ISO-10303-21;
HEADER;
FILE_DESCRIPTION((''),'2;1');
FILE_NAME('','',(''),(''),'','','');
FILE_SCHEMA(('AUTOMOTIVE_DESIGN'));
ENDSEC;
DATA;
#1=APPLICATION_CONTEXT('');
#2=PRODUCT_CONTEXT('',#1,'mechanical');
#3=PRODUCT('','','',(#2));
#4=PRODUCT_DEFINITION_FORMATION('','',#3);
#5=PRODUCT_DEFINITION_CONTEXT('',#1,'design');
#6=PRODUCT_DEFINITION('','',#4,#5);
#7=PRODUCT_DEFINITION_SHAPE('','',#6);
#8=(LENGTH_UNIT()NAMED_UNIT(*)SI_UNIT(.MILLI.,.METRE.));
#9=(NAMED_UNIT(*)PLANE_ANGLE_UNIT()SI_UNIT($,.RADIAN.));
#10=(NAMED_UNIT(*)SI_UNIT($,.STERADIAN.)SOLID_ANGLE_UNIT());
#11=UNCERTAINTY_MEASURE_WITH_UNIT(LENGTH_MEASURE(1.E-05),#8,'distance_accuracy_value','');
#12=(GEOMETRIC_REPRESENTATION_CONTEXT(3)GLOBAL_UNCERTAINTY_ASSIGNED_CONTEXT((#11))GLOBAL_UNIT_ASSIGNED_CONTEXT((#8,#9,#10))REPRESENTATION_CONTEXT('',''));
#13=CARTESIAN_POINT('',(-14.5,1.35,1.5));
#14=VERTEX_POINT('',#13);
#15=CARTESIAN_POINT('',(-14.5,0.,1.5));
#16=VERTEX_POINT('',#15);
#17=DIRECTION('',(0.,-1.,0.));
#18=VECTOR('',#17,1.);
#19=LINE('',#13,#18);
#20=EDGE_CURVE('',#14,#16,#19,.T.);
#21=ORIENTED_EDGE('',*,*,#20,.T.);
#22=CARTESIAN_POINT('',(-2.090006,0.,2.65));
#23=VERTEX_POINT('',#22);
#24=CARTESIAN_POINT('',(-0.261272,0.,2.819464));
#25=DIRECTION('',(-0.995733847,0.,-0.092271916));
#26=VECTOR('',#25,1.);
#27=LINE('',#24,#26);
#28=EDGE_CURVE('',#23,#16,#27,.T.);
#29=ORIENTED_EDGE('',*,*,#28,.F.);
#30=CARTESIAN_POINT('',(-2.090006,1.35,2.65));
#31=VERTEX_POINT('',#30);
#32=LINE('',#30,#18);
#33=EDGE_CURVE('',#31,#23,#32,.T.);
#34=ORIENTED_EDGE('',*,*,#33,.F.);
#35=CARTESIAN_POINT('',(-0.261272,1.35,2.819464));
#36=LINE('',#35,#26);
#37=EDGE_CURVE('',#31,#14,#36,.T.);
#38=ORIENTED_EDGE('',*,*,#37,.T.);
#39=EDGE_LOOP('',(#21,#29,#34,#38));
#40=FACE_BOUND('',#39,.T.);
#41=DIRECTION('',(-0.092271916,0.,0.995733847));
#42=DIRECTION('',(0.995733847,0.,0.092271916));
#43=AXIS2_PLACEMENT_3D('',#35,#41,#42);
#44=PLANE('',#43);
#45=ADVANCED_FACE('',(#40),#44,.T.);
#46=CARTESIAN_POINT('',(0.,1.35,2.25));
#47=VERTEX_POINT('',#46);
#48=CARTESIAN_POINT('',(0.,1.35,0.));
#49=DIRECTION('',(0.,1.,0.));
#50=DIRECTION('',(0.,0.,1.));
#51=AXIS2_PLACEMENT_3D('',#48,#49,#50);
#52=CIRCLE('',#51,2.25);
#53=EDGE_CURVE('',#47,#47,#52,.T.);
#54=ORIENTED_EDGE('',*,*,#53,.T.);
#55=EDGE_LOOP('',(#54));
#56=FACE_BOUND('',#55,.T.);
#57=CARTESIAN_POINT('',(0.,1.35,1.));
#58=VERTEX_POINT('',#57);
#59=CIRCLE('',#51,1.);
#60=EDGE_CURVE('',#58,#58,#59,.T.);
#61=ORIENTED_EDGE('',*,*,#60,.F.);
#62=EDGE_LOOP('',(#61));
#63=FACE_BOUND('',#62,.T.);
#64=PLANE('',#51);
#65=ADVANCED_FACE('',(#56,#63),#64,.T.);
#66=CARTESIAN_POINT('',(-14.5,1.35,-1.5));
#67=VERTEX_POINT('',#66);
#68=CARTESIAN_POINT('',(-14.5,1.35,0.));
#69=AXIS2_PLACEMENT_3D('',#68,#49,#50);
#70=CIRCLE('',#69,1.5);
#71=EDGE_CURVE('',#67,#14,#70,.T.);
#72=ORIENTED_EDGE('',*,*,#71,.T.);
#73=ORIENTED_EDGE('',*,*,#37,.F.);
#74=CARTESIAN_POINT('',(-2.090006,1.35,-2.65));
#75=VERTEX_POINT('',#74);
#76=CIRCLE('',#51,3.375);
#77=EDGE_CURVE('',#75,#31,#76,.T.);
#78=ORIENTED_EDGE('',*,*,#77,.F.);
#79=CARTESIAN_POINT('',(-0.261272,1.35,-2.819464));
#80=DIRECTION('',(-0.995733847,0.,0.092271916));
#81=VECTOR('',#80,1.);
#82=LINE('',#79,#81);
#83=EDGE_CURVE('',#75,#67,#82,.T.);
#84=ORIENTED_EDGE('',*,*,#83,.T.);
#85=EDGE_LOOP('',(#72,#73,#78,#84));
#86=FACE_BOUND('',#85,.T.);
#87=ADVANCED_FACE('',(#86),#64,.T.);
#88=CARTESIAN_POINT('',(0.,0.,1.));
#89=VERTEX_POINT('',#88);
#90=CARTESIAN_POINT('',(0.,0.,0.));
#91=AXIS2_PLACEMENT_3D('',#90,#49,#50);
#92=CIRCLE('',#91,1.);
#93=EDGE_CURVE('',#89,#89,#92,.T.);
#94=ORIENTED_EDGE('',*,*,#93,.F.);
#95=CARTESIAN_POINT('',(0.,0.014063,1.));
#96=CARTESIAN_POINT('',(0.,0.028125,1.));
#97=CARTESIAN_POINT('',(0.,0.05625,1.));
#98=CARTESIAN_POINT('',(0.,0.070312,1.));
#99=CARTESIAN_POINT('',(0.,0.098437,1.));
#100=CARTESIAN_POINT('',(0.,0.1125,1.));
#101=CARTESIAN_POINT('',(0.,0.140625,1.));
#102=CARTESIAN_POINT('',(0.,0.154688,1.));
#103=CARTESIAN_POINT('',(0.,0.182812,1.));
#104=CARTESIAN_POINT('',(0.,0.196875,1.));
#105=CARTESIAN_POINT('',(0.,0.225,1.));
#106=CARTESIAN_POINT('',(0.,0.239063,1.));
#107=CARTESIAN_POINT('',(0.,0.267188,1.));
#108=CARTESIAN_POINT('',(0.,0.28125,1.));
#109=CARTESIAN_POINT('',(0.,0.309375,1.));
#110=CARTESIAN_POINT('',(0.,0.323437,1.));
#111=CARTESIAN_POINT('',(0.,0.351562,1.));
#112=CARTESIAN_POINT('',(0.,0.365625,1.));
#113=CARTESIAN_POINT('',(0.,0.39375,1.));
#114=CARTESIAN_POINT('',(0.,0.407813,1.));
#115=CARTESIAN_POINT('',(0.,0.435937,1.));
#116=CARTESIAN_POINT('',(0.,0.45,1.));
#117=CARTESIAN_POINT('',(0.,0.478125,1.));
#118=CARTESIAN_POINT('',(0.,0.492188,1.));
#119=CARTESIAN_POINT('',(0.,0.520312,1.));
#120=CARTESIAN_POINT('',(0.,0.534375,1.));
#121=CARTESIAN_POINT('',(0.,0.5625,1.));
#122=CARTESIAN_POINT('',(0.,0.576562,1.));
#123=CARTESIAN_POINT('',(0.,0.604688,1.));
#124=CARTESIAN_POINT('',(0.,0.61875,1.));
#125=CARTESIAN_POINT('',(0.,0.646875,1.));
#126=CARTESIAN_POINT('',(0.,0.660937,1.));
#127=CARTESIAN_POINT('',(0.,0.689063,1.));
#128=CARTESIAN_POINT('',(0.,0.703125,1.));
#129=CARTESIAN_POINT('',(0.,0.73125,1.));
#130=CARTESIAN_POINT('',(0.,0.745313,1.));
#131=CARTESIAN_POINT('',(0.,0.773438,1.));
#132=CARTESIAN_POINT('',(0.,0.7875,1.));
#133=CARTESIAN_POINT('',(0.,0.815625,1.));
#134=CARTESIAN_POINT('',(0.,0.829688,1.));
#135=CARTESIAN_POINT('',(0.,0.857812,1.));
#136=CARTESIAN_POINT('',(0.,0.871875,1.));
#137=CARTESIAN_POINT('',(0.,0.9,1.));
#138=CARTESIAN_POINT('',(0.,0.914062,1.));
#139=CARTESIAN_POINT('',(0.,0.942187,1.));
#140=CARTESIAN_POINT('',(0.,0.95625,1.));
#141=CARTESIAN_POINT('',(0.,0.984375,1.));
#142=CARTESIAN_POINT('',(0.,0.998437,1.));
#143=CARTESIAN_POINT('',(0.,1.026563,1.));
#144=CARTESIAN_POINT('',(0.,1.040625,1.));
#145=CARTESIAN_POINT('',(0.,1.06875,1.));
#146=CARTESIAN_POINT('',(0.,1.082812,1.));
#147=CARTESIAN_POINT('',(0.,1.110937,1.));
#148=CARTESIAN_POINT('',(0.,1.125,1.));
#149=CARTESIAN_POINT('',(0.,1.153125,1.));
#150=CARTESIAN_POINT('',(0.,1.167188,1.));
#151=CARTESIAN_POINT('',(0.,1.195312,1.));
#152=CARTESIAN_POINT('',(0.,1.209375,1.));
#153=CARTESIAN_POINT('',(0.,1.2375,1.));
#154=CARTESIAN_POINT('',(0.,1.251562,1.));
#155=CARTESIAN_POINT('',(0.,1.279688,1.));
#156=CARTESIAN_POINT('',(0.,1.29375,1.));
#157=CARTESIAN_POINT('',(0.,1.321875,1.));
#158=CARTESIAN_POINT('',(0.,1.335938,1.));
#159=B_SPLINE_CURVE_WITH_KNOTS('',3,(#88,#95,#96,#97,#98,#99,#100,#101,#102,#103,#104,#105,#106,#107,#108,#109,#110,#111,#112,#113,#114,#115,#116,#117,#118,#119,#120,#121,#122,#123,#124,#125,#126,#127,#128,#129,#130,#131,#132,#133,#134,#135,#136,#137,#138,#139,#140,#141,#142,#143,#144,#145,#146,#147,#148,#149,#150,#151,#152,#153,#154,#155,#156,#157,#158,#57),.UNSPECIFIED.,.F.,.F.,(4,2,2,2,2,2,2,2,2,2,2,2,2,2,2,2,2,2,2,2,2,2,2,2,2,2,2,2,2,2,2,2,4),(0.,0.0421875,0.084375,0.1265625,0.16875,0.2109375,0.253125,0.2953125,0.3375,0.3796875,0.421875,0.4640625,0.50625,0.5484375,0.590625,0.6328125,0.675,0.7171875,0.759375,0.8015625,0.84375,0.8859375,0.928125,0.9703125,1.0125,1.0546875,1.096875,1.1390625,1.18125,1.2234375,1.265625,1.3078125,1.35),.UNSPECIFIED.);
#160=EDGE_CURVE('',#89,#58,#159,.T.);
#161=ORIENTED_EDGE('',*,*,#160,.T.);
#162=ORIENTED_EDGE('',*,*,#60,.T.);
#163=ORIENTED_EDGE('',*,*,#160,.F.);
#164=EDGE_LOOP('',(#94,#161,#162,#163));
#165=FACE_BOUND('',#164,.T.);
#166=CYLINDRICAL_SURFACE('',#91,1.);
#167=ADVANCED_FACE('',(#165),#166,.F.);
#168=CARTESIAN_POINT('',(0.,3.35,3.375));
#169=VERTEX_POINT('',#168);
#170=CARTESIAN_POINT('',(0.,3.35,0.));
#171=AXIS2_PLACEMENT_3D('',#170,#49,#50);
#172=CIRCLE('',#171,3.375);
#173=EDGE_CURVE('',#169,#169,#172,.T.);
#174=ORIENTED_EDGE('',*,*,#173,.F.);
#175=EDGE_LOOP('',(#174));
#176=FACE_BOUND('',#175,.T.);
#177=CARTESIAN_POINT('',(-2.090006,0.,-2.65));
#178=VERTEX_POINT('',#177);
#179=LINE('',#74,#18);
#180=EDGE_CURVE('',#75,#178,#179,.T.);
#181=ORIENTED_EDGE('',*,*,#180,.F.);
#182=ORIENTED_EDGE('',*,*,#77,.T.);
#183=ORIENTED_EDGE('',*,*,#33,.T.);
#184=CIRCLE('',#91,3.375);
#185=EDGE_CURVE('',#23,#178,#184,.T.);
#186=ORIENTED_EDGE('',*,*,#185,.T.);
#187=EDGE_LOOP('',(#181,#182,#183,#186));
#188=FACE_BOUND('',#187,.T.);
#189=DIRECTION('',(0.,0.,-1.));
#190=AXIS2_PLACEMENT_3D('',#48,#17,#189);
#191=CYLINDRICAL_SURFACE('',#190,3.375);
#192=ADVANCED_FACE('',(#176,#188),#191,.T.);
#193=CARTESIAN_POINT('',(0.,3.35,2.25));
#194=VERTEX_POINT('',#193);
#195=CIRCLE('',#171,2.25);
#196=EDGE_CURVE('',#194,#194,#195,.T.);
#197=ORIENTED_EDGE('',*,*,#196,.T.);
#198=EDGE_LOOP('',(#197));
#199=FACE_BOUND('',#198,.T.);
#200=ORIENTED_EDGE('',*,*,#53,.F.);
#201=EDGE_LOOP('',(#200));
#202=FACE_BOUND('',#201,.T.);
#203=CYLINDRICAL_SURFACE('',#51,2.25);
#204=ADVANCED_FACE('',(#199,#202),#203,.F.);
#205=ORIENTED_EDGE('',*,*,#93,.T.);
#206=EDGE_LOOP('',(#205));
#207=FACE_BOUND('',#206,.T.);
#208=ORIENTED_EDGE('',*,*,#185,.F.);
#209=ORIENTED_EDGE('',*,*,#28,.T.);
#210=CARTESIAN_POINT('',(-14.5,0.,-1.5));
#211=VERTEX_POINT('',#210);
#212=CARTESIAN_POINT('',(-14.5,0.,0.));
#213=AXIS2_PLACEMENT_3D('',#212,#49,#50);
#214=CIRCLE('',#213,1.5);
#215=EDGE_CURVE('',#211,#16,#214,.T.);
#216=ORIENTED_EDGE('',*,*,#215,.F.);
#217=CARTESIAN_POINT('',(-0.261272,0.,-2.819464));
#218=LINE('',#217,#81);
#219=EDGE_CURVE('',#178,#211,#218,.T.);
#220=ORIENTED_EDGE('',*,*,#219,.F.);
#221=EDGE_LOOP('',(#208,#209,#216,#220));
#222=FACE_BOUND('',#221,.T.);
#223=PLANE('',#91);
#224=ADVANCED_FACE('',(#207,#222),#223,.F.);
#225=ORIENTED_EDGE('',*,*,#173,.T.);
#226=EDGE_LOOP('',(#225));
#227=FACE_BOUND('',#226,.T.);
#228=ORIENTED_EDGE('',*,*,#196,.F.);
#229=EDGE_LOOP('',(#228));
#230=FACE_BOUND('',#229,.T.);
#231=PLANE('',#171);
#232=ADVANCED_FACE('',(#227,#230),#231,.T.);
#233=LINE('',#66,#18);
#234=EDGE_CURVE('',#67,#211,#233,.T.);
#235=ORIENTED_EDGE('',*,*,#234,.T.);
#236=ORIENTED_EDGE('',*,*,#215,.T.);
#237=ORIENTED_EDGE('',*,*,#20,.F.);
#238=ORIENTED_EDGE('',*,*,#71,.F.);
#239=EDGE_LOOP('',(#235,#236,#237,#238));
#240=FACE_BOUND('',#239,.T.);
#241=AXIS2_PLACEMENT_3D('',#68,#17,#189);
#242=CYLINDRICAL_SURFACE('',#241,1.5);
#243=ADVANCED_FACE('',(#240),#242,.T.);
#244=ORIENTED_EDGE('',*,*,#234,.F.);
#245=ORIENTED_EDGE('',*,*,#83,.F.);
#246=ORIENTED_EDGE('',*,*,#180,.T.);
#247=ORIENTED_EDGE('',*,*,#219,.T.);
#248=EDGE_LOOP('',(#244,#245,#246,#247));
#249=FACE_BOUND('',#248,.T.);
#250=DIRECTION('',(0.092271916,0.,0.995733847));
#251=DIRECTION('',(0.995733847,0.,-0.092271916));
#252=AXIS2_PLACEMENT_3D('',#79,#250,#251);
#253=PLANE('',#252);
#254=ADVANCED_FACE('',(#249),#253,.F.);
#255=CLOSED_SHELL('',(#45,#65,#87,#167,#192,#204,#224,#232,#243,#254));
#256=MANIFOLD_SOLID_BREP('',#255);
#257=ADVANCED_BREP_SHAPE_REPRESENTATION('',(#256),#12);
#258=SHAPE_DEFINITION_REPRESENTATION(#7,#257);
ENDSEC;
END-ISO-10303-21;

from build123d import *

# Parameters (mm, degrees)
ESTRUSIONE_ESTRUSIONE1_DEPTH = 1.35
SCHIZZO2_R                   = 3.375
ESTRUSIONE_ESTRUSIONE2_DEPTH = 2
SCHIZZO3_R                   = 2.25
TAGLIO_ESTRUSIONE1_DEPTH     = 2
SCHIZZO4_R                   = 1
TAGLIO_ESTRUSIONE2_DEPTH     = 17.47393775


with BuildPart() as part:
    # Schizzo1 → Estrusione-Estrusione1 (new body)
    with BuildSketch(Plane(origin=(0, 0, 0), x_dir=(1, 0, 0), z_dir=(0, 1, 0))):
        with BuildLine():
            ThreePointArc((-2.090005981, -2.65), (-3.375, 0), (-2.090005981, 2.65))
            Line((-2.090005981, 2.65), (-14.5, 1.5))
            ThreePointArc((-14.5, 1.5), (-16, 0), (-14.5, -1.5))
            Line((-14.5, -1.5), (-2.090005981, -2.65))
        make_face()
        with BuildLine():
            ThreePointArc((3.375, 0), (1.472558117, 3.036807138), (-2.090005981, 2.65))
            Line((-2.090005981, 2.65), (-2.090005981, -2.65))
            ThreePointArc((-2.090005981, -2.65), (1.472558117, -3.036807138), (3.375, 0))
        make_face()
        with BuildLine():
            Line((-2.090005981, -2.65), (-2.090005981, 2.65))
            ThreePointArc((-2.090005981, 2.65), (-3.375, 0), (-2.090005981, -2.65))
        make_face()
    extrude(amount=ESTRUSIONE_ESTRUSIONE1_DEPTH)

    # Schizzo2 → Estrusione-Estrusione2 (add)
    with BuildSketch(Plane(origin=(0, 1.35, 0), x_dir=(1, 0, 0), z_dir=(0, 1, 0))):
        with Locations(Location((0, 0, 0), (0, 0, 128.262191128))):
            Circle(SCHIZZO2_R)
    extrude(amount=ESTRUSIONE_ESTRUSIONE2_DEPTH)

    # Schizzo3 → Taglio-Estrusione1 (cut)
    with BuildSketch(Plane(origin=(0, 3.35, 0), x_dir=(1, 0, 0), z_dir=(0, 1, 0))):
        with Locations(Location((0, 0, 0), (0, 0, 270))):
            Circle(SCHIZZO3_R)
    extrude(amount=-TAGLIO_ESTRUSIONE1_DEPTH, mode=Mode.SUBTRACT)

    # Schizzo4 → Taglio-Estrusione2 (cut, through all)
    with BuildSketch(Plane(origin=(0, 1.35, 0), x_dir=(1, 0, 0), z_dir=(0, 1, 0))):
        with Locations(Location((0, 0, 0), (0, 0, 270))):
            Circle(SCHIZZO4_R)
    extrude(amount=-TAGLIO_ESTRUSIONE2_DEPTH, mode=Mode.SUBTRACT)


solid = part.part
